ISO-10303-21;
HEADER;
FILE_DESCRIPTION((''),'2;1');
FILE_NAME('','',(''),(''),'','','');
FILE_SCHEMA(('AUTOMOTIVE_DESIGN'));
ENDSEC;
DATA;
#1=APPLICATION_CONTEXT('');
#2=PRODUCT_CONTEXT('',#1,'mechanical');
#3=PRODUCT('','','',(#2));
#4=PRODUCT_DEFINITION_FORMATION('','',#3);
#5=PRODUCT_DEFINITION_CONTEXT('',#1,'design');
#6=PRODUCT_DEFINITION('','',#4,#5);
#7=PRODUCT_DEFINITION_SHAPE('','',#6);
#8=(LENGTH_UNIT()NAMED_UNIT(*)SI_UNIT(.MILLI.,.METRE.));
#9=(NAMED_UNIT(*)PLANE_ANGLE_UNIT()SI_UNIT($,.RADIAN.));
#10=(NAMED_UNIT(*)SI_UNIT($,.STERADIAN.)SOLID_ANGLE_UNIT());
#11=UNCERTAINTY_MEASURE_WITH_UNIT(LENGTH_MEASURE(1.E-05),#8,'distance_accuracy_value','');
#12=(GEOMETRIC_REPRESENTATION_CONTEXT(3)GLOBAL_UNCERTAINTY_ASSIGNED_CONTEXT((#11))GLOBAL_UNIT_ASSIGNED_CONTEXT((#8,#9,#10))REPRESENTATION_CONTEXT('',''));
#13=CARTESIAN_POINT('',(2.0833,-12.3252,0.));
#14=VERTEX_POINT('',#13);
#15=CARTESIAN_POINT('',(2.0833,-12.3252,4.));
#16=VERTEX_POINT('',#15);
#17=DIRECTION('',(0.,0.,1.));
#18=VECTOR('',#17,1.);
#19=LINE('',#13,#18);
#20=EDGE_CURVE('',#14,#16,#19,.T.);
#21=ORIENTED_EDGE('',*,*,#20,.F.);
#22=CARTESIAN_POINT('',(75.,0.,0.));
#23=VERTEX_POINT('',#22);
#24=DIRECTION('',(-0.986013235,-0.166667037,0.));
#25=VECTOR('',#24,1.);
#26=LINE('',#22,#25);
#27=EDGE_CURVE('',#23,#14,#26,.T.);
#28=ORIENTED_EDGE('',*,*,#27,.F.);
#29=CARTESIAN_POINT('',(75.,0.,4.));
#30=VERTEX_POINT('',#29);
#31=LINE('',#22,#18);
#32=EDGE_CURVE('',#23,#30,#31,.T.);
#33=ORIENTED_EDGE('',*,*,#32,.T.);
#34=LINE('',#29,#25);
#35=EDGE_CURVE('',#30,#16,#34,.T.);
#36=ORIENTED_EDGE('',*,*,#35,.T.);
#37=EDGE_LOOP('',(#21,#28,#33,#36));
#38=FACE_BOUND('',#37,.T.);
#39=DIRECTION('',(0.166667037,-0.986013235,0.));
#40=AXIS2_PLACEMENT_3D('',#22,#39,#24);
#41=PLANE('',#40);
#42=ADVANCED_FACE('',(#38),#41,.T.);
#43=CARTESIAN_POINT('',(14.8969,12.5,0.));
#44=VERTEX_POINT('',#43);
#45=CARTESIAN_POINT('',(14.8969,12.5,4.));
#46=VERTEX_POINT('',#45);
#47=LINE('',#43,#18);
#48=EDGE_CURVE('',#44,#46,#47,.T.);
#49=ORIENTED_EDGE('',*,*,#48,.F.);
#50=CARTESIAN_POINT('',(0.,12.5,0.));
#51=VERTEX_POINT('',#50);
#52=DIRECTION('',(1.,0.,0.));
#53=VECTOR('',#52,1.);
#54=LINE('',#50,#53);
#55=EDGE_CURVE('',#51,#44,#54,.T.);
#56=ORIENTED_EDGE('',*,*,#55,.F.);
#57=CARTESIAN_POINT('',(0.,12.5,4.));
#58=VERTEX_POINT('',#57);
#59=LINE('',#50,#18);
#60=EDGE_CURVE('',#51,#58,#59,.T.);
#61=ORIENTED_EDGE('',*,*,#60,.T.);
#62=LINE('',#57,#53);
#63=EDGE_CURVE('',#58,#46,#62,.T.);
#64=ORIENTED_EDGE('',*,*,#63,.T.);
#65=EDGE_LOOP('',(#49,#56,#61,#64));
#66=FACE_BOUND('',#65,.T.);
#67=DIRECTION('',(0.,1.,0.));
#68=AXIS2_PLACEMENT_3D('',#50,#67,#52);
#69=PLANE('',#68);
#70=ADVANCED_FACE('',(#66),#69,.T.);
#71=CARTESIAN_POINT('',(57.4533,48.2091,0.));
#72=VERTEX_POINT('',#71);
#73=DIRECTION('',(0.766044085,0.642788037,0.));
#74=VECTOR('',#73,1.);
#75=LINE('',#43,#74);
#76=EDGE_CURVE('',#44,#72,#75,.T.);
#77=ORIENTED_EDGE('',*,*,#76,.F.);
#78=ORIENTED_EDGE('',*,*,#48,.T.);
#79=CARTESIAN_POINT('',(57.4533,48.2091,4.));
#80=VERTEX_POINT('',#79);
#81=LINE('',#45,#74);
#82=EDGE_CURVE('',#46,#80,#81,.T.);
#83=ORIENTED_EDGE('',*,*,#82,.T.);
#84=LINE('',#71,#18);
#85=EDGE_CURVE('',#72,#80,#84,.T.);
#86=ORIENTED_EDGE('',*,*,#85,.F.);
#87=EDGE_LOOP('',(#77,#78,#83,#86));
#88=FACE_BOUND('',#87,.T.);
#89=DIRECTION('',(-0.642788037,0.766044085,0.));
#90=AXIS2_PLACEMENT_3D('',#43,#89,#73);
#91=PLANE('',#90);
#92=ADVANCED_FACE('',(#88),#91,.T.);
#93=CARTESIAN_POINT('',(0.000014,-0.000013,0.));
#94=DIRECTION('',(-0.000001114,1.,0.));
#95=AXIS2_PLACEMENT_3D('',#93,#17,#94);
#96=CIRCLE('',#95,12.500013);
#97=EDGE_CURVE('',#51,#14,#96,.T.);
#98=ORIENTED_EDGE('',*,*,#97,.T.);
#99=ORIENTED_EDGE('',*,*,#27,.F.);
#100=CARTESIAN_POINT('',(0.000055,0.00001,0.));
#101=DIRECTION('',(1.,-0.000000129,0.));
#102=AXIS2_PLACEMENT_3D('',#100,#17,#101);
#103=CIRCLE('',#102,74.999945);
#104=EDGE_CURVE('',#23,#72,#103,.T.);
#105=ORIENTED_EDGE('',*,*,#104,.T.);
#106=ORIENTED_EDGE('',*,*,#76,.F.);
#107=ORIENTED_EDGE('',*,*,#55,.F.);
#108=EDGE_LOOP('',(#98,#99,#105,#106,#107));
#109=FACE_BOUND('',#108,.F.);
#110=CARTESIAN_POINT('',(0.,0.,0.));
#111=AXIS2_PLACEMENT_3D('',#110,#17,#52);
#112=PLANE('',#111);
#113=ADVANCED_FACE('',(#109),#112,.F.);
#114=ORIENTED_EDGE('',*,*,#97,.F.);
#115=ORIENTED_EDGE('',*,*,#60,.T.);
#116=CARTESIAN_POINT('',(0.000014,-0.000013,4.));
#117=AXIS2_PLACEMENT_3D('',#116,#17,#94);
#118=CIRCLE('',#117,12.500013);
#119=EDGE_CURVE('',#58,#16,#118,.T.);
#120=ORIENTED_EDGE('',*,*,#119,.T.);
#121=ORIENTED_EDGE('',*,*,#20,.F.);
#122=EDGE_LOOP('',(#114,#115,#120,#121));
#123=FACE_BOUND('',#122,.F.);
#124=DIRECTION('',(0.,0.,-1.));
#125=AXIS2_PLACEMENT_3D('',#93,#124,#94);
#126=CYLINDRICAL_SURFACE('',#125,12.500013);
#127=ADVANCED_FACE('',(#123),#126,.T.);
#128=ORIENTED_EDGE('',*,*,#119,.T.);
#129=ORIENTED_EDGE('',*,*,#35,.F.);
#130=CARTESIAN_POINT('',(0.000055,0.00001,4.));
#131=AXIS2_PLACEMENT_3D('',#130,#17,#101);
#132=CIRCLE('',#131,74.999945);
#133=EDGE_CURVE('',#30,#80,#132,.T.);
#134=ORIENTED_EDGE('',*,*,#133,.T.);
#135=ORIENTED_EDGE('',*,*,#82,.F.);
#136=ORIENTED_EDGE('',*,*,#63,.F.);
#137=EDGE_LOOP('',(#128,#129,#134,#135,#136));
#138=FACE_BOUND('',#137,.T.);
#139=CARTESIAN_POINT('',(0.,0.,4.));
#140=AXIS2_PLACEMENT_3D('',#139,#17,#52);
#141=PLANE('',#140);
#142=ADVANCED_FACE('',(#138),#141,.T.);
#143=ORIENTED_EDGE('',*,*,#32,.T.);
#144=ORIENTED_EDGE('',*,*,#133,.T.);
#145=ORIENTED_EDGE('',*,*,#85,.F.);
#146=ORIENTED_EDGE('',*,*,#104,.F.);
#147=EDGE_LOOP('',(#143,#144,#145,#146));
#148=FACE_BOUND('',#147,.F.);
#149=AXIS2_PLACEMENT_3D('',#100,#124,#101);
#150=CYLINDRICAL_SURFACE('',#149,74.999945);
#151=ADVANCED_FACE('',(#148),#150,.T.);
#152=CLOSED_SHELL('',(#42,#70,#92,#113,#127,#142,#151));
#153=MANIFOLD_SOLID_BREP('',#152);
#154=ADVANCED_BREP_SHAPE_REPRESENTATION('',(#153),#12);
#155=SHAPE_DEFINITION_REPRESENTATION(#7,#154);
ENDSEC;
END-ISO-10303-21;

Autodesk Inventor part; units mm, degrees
ref_plane "YZ Plane" through (0, 0, 0) normal (1, 0, 0) x (0, 1, 0)
ref_plane "XZ Plane" through (0, 0, 0) normal (0, 1, 0) x (-1, 0, 0)
ref_plane "XY Plane" through (0, 0, 0) normal (0, 0, 1) x (1, 0, 0)
sketch "Sketch1" plane through (0, 0, 0) normal (0, 0, 1) x (1, 0, 0)
  line L0 (0, 0) -> (75, 0) construction
  line L1 (0, 0) -> (75, 0) construction
  line L2 (0, 0) -> (57.4533, 48.2091) construction
  line L3 (0, 12.5) -> (14.8969, 12.5)
  line L4 (75, 0) -> (2.0833, -12.3252)
  arc A0 (0, 12.5) -> (2.0833, -12.3252) centre (0, 0) ccw
  arc A1 (75, 0) -> (57.4533, 48.2091) centre (0, 0) ccw
  line L5 (14.8969, 12.5) -> (57.4533, 48.2091)
  dimension "d1" = 0
  dimension "d4" = 12.5
  dimension "d7" = 12.5
  dimension "d8" = 75
extrude "Extrusion1" add sketch "Sketch1" along normal blind 4
properties part number "latch"
